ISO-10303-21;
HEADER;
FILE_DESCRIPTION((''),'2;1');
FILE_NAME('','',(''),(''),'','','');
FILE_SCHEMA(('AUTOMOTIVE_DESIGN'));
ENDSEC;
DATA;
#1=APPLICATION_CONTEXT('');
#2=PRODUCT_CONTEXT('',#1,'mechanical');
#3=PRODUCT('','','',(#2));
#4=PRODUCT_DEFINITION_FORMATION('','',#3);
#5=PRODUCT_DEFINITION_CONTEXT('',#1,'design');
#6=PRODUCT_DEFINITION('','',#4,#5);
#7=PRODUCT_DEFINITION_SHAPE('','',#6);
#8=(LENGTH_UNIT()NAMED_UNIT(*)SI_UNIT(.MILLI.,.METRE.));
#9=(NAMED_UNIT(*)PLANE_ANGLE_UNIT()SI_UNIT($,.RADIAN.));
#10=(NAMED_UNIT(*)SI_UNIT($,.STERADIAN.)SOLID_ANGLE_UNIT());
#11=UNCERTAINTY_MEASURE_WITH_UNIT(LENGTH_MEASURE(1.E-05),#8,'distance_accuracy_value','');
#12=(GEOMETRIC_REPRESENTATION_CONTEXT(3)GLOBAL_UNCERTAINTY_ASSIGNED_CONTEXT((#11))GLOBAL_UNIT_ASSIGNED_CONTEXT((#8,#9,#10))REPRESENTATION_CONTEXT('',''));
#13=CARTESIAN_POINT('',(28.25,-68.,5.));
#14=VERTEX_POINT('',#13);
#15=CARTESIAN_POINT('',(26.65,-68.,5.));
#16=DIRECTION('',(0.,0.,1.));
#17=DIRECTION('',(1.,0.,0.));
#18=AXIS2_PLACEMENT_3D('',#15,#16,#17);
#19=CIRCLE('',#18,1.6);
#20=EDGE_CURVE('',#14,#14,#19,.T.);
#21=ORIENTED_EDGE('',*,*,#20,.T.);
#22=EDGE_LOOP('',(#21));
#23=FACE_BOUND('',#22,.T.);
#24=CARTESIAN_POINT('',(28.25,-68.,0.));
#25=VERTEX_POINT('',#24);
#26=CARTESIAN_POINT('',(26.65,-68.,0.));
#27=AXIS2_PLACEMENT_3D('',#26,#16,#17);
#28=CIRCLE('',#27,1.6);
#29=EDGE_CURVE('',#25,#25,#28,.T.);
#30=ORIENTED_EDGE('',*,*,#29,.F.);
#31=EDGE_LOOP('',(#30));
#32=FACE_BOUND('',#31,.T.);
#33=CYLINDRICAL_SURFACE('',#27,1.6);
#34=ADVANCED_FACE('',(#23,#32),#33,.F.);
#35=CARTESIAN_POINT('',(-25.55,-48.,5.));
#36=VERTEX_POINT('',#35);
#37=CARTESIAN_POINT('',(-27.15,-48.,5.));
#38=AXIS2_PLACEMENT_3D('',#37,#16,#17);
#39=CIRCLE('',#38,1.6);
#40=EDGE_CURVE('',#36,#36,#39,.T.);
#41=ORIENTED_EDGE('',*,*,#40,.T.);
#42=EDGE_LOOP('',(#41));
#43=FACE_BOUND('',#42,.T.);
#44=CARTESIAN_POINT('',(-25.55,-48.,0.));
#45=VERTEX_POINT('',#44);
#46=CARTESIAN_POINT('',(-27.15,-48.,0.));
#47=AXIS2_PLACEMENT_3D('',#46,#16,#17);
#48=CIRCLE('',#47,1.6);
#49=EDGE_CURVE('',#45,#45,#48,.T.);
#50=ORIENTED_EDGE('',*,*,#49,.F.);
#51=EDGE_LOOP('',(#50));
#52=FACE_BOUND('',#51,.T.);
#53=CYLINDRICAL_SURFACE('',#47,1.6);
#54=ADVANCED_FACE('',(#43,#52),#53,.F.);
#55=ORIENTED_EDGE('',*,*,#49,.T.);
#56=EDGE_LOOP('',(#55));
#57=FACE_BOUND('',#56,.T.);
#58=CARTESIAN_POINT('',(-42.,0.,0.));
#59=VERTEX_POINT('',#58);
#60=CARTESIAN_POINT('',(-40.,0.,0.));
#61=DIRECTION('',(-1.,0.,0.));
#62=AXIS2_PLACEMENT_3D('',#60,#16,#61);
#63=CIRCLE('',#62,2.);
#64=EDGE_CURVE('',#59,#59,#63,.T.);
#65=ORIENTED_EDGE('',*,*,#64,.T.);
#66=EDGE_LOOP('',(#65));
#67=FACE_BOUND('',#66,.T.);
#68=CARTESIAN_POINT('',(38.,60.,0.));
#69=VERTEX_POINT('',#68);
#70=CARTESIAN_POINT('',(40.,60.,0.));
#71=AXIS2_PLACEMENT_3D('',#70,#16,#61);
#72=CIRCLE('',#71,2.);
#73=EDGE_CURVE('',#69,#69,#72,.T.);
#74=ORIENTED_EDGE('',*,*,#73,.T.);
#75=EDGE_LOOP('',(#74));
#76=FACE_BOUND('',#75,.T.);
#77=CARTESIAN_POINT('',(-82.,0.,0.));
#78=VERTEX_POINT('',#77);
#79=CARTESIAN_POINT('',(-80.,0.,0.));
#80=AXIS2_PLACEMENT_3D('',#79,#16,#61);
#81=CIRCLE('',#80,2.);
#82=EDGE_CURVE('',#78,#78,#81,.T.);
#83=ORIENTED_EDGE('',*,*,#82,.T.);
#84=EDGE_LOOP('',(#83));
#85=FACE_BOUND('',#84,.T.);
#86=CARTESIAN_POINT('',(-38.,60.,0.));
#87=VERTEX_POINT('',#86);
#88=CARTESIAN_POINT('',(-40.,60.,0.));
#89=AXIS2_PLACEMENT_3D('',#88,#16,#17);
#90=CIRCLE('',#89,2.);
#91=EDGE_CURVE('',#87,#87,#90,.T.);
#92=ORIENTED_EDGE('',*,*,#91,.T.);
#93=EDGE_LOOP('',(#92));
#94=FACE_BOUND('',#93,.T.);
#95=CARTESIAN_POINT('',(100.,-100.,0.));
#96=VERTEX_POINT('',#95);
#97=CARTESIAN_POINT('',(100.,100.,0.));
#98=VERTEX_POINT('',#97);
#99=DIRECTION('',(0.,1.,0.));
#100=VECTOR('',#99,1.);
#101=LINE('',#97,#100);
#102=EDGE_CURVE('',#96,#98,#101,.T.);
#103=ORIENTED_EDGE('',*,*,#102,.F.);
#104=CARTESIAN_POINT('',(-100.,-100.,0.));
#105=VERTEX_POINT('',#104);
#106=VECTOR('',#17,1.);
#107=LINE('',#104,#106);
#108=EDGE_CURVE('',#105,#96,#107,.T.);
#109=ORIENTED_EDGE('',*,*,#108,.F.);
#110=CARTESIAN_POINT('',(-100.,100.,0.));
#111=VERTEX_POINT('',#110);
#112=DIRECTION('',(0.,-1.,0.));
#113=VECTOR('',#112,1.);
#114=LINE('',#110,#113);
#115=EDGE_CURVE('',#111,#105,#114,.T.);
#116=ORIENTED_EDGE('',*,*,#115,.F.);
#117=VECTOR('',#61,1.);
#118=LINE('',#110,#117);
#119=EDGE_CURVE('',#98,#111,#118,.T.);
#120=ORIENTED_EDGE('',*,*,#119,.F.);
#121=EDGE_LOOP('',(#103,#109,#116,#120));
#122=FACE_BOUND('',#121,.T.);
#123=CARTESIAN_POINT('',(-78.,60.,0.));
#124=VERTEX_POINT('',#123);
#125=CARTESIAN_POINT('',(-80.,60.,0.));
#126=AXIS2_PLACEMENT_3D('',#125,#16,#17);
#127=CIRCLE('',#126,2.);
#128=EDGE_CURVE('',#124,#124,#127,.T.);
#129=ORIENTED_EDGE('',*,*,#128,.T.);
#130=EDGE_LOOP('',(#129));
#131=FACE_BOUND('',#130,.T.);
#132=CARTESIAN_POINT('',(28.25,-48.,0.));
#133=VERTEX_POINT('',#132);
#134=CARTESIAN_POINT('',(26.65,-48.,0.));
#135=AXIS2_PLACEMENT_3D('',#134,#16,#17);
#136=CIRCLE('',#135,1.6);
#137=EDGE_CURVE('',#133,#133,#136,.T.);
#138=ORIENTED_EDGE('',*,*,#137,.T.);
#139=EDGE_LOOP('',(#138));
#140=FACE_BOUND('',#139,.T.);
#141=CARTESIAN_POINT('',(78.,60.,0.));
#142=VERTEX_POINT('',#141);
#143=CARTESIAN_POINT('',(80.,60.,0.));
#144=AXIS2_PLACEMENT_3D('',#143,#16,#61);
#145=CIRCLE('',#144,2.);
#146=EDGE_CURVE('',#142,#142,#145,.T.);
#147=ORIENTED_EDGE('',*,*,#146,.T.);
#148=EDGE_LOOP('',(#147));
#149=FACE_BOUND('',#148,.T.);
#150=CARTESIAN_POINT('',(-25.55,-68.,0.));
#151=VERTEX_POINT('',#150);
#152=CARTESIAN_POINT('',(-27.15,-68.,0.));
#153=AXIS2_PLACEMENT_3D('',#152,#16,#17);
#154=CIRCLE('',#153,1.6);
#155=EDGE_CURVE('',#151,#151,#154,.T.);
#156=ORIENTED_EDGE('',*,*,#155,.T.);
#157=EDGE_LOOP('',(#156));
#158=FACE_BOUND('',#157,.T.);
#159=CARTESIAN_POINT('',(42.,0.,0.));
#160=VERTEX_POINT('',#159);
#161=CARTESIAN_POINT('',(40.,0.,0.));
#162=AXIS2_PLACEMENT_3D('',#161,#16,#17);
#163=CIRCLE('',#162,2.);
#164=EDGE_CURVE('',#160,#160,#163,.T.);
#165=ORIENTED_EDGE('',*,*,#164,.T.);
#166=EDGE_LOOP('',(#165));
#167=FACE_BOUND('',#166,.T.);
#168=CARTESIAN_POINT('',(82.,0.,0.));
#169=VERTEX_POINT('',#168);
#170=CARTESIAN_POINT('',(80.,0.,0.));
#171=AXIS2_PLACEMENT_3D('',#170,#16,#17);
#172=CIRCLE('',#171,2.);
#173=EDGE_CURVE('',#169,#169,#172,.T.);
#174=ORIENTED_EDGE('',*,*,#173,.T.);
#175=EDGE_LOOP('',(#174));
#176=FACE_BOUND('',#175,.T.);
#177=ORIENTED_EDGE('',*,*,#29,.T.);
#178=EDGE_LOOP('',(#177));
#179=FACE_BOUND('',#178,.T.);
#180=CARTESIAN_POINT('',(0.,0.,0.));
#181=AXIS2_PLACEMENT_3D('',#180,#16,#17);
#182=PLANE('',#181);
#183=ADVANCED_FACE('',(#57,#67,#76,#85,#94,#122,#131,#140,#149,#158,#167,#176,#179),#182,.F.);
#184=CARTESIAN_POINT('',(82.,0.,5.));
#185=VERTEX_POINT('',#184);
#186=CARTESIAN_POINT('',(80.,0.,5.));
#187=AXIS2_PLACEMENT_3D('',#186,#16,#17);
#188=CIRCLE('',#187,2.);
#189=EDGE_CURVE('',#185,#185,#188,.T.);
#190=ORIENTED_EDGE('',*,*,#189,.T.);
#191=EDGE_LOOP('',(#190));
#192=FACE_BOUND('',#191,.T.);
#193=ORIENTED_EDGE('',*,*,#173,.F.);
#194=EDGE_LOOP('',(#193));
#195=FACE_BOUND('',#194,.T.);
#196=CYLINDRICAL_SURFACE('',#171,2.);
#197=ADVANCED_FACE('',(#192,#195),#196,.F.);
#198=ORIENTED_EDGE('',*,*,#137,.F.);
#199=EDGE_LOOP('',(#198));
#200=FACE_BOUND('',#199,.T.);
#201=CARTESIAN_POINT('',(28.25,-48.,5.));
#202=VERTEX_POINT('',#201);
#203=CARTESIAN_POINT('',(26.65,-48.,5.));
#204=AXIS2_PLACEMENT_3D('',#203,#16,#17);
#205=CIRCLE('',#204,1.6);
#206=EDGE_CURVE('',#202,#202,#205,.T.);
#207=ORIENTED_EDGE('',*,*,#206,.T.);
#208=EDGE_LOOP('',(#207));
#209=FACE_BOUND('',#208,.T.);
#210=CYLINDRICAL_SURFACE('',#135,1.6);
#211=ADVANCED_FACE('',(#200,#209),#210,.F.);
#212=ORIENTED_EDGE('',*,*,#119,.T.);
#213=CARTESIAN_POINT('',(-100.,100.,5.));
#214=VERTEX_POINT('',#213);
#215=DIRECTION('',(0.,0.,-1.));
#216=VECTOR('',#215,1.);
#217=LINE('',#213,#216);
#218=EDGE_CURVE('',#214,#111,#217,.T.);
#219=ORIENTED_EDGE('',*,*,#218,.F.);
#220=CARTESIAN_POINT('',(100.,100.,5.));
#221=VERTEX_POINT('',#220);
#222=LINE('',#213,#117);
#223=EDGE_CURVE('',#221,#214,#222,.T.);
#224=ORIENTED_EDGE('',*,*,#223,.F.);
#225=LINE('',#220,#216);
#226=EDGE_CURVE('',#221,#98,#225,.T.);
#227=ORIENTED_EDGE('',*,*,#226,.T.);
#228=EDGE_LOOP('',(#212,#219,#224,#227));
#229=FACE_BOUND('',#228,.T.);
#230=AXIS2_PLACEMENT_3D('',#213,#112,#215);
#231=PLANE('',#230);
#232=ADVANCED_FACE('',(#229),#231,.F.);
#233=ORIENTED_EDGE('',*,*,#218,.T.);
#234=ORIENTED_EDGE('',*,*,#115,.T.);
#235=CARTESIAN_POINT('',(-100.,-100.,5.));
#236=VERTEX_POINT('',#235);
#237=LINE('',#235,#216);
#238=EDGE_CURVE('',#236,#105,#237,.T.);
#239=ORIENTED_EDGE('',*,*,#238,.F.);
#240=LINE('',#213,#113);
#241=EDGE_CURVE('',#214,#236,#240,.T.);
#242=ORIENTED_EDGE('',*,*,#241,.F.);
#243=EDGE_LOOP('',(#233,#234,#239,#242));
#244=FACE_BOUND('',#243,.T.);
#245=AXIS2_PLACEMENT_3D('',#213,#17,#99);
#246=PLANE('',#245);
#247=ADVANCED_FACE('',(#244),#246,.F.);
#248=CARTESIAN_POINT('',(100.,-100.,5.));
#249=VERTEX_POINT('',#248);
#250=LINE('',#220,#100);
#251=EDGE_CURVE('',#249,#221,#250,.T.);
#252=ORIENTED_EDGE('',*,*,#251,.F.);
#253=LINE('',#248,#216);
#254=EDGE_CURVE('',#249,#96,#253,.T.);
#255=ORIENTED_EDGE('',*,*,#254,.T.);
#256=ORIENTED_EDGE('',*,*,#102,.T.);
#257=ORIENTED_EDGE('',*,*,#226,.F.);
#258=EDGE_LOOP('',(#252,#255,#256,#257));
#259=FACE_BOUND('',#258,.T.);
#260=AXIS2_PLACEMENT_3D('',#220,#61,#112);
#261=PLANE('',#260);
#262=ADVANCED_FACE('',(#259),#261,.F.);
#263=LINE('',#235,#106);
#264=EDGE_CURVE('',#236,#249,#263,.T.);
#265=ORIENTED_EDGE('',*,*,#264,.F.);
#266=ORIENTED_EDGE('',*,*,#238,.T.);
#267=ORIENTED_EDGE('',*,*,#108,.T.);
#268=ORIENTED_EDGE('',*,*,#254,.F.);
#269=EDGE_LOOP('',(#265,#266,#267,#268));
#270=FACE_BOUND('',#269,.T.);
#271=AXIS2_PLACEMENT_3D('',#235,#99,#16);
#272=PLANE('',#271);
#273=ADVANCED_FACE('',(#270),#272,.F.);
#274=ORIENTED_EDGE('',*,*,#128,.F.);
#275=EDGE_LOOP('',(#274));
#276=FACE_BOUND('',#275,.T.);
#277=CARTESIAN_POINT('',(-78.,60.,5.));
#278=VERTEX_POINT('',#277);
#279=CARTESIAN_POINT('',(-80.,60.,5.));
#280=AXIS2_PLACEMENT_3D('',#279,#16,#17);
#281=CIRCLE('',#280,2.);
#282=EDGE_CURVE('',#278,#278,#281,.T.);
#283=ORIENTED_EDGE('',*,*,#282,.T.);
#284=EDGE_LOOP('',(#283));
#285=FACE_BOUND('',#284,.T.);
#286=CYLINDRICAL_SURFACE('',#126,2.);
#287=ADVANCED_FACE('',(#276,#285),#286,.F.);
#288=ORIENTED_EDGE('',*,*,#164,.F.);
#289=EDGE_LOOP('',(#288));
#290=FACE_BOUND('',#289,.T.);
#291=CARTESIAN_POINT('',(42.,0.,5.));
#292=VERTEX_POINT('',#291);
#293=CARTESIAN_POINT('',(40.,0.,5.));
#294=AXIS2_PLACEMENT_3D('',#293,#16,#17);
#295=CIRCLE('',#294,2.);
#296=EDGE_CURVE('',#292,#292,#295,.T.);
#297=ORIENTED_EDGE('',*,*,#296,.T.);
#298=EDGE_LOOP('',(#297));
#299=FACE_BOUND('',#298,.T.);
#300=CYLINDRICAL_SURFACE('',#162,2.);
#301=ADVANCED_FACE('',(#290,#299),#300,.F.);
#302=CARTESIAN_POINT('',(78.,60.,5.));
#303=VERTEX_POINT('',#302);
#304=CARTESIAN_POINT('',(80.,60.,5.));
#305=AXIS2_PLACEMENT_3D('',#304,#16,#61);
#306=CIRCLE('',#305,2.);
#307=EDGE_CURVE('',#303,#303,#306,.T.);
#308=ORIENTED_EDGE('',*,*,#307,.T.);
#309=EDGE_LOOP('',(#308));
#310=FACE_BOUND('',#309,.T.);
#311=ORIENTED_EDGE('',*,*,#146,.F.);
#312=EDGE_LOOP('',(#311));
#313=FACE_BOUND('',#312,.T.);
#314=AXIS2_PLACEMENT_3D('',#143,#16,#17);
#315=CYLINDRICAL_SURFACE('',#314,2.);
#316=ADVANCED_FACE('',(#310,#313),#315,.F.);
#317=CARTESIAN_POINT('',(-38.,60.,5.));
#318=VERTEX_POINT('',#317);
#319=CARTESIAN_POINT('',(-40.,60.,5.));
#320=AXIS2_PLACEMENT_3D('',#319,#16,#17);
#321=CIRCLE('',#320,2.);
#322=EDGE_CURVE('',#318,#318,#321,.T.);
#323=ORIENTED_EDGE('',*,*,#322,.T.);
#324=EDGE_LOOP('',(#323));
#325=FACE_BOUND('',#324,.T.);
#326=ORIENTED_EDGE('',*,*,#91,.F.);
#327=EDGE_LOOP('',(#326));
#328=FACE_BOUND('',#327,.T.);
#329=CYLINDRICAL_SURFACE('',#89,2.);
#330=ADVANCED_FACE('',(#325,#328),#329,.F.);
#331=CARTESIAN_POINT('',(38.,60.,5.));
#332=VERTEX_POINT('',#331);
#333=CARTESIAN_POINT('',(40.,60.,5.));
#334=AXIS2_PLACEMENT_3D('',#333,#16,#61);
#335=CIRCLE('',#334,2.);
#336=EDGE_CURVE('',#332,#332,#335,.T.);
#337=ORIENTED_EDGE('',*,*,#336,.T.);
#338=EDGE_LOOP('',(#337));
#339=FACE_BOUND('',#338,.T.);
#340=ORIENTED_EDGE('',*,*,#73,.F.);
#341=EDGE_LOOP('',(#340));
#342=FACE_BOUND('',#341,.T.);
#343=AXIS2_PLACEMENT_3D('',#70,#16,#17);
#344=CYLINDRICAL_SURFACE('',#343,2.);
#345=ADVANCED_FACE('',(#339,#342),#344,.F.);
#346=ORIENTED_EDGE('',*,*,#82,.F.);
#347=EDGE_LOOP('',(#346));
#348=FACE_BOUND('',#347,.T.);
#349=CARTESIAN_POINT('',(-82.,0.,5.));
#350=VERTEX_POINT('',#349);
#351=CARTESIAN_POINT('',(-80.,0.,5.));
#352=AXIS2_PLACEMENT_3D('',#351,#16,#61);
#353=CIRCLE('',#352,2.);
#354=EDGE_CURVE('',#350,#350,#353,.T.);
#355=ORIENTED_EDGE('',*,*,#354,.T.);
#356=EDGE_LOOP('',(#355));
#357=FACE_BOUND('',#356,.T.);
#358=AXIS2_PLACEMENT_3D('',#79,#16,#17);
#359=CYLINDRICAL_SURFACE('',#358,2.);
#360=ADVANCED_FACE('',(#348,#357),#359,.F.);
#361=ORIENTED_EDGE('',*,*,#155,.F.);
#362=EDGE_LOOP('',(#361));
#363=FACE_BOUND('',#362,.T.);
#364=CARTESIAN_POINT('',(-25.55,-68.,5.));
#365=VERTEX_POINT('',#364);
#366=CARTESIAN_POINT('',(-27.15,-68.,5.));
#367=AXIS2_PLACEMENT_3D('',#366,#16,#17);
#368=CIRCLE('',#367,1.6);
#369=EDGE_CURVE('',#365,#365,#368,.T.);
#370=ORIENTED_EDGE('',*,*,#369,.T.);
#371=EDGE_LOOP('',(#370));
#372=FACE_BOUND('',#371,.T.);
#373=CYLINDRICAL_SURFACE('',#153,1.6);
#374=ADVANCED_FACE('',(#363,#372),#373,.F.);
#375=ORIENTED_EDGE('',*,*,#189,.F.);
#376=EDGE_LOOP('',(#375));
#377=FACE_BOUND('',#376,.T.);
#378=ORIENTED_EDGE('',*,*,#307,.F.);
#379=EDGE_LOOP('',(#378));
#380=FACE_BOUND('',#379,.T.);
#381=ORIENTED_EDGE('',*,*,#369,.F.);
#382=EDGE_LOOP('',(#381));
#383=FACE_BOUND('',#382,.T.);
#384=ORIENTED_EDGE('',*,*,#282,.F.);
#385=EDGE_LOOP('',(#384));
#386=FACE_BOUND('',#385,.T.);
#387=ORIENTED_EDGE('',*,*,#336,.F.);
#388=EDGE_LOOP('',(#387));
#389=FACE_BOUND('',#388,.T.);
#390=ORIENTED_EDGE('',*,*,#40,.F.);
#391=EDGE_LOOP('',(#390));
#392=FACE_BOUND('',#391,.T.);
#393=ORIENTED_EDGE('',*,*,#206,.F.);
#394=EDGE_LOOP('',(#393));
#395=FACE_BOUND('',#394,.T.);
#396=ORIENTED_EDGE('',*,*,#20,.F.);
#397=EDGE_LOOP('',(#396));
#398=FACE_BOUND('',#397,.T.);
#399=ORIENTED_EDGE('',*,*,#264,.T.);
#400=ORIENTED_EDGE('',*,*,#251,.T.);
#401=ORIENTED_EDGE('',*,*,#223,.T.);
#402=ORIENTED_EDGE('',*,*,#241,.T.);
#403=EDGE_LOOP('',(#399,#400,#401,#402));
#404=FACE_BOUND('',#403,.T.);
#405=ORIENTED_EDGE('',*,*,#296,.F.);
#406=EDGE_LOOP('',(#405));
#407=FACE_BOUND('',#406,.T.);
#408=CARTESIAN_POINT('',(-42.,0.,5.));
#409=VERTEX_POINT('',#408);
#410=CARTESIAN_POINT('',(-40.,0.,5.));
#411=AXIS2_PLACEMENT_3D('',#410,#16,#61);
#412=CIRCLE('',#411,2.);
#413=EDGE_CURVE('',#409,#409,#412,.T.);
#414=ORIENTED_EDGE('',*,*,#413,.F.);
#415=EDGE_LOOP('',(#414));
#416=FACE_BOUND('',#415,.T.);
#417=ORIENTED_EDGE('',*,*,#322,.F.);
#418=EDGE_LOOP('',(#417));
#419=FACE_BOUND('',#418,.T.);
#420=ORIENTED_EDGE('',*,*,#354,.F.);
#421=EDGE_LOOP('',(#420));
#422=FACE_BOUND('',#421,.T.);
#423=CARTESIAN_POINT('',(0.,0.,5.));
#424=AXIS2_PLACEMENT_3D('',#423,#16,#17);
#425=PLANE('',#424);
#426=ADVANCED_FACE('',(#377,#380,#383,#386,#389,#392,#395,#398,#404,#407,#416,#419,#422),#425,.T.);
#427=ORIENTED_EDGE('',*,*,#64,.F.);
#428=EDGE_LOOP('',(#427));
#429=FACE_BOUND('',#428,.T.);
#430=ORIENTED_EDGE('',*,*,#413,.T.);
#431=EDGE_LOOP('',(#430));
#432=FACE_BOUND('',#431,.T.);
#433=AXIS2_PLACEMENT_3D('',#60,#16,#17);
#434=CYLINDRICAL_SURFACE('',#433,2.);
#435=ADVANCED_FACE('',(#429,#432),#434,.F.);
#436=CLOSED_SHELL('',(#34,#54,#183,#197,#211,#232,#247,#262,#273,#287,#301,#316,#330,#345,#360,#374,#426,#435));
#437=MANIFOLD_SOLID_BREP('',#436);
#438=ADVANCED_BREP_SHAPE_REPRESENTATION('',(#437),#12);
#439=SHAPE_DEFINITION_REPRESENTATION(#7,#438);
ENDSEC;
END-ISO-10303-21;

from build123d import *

# Parameters (mm, degrees)
ESQUISSE1_W             = 200
ESQUISSE1_H             = 200
BOSS_EXTRU_1_DEPTH      = 5
ESQUISSE8_R             = 1.6
ENL_V_MAT_EXTRU_2_DEPTH = 142.509716981
ESQUISSE10_R            = 2
ENL_V_MAT_EXTRU_4_DEPTH = 142.509716981


with BuildPart() as part:
    # Esquisse1 → Boss.-Extru.1 (new body)
    with BuildSketch(Plane.XY):
        Rectangle(ESQUISSE1_W, ESQUISSE1_H)
    extrude(amount=BOSS_EXTRU_1_DEPTH)

    # Esquisse8 → Enlèv. mat.-Extru.2 (cut, through all)
    with BuildSketch(Plane.XY.offset(5)):
        with Locations((-27.15, -68)):
            Circle(ESQUISSE8_R)
        with Locations((-27.15, -48)):
            Circle(ESQUISSE8_R)
        with Locations((26.65, -48)):
            Circle(ESQUISSE8_R)
        with Locations((26.65, -68)):
            Circle(ESQUISSE8_R)
    extrude(amount=-ENL_V_MAT_EXTRU_2_DEPTH, mode=Mode.SUBTRACT)

    # Esquisse10 → Enlèv. mat.-Extru.4 (cut, through all)
    with BuildSketch(Plane.XY.offset(5)):
        with Locations((-80, 60)):
            Circle(ESQUISSE10_R)
        with Locations((-40, 60)):
            Circle(ESQUISSE10_R)
        with Locations(Location((-40, 0, 0), (0, 0, 180))):
            Circle(ESQUISSE10_R)
        with Locations(Location((-80, 0, 0), (0, 0, 180))):
            Circle(ESQUISSE10_R)
        with Locations((80, 0)):
            Circle(ESQUISSE10_R)
        with Locations((40, 0)):
            Circle(ESQUISSE10_R)
        with Locations(Location((40, 60, 0), (0, 0, 180))):
            Circle(ESQUISSE10_R)
        with Locations(Location((80, 60, 0), (0, 0, 180))):
            Circle(ESQUISSE10_R)
    extrude(amount=-ENL_V_MAT_EXTRU_4_DEPTH, mode=Mode.SUBTRACT)


solid = part.part
